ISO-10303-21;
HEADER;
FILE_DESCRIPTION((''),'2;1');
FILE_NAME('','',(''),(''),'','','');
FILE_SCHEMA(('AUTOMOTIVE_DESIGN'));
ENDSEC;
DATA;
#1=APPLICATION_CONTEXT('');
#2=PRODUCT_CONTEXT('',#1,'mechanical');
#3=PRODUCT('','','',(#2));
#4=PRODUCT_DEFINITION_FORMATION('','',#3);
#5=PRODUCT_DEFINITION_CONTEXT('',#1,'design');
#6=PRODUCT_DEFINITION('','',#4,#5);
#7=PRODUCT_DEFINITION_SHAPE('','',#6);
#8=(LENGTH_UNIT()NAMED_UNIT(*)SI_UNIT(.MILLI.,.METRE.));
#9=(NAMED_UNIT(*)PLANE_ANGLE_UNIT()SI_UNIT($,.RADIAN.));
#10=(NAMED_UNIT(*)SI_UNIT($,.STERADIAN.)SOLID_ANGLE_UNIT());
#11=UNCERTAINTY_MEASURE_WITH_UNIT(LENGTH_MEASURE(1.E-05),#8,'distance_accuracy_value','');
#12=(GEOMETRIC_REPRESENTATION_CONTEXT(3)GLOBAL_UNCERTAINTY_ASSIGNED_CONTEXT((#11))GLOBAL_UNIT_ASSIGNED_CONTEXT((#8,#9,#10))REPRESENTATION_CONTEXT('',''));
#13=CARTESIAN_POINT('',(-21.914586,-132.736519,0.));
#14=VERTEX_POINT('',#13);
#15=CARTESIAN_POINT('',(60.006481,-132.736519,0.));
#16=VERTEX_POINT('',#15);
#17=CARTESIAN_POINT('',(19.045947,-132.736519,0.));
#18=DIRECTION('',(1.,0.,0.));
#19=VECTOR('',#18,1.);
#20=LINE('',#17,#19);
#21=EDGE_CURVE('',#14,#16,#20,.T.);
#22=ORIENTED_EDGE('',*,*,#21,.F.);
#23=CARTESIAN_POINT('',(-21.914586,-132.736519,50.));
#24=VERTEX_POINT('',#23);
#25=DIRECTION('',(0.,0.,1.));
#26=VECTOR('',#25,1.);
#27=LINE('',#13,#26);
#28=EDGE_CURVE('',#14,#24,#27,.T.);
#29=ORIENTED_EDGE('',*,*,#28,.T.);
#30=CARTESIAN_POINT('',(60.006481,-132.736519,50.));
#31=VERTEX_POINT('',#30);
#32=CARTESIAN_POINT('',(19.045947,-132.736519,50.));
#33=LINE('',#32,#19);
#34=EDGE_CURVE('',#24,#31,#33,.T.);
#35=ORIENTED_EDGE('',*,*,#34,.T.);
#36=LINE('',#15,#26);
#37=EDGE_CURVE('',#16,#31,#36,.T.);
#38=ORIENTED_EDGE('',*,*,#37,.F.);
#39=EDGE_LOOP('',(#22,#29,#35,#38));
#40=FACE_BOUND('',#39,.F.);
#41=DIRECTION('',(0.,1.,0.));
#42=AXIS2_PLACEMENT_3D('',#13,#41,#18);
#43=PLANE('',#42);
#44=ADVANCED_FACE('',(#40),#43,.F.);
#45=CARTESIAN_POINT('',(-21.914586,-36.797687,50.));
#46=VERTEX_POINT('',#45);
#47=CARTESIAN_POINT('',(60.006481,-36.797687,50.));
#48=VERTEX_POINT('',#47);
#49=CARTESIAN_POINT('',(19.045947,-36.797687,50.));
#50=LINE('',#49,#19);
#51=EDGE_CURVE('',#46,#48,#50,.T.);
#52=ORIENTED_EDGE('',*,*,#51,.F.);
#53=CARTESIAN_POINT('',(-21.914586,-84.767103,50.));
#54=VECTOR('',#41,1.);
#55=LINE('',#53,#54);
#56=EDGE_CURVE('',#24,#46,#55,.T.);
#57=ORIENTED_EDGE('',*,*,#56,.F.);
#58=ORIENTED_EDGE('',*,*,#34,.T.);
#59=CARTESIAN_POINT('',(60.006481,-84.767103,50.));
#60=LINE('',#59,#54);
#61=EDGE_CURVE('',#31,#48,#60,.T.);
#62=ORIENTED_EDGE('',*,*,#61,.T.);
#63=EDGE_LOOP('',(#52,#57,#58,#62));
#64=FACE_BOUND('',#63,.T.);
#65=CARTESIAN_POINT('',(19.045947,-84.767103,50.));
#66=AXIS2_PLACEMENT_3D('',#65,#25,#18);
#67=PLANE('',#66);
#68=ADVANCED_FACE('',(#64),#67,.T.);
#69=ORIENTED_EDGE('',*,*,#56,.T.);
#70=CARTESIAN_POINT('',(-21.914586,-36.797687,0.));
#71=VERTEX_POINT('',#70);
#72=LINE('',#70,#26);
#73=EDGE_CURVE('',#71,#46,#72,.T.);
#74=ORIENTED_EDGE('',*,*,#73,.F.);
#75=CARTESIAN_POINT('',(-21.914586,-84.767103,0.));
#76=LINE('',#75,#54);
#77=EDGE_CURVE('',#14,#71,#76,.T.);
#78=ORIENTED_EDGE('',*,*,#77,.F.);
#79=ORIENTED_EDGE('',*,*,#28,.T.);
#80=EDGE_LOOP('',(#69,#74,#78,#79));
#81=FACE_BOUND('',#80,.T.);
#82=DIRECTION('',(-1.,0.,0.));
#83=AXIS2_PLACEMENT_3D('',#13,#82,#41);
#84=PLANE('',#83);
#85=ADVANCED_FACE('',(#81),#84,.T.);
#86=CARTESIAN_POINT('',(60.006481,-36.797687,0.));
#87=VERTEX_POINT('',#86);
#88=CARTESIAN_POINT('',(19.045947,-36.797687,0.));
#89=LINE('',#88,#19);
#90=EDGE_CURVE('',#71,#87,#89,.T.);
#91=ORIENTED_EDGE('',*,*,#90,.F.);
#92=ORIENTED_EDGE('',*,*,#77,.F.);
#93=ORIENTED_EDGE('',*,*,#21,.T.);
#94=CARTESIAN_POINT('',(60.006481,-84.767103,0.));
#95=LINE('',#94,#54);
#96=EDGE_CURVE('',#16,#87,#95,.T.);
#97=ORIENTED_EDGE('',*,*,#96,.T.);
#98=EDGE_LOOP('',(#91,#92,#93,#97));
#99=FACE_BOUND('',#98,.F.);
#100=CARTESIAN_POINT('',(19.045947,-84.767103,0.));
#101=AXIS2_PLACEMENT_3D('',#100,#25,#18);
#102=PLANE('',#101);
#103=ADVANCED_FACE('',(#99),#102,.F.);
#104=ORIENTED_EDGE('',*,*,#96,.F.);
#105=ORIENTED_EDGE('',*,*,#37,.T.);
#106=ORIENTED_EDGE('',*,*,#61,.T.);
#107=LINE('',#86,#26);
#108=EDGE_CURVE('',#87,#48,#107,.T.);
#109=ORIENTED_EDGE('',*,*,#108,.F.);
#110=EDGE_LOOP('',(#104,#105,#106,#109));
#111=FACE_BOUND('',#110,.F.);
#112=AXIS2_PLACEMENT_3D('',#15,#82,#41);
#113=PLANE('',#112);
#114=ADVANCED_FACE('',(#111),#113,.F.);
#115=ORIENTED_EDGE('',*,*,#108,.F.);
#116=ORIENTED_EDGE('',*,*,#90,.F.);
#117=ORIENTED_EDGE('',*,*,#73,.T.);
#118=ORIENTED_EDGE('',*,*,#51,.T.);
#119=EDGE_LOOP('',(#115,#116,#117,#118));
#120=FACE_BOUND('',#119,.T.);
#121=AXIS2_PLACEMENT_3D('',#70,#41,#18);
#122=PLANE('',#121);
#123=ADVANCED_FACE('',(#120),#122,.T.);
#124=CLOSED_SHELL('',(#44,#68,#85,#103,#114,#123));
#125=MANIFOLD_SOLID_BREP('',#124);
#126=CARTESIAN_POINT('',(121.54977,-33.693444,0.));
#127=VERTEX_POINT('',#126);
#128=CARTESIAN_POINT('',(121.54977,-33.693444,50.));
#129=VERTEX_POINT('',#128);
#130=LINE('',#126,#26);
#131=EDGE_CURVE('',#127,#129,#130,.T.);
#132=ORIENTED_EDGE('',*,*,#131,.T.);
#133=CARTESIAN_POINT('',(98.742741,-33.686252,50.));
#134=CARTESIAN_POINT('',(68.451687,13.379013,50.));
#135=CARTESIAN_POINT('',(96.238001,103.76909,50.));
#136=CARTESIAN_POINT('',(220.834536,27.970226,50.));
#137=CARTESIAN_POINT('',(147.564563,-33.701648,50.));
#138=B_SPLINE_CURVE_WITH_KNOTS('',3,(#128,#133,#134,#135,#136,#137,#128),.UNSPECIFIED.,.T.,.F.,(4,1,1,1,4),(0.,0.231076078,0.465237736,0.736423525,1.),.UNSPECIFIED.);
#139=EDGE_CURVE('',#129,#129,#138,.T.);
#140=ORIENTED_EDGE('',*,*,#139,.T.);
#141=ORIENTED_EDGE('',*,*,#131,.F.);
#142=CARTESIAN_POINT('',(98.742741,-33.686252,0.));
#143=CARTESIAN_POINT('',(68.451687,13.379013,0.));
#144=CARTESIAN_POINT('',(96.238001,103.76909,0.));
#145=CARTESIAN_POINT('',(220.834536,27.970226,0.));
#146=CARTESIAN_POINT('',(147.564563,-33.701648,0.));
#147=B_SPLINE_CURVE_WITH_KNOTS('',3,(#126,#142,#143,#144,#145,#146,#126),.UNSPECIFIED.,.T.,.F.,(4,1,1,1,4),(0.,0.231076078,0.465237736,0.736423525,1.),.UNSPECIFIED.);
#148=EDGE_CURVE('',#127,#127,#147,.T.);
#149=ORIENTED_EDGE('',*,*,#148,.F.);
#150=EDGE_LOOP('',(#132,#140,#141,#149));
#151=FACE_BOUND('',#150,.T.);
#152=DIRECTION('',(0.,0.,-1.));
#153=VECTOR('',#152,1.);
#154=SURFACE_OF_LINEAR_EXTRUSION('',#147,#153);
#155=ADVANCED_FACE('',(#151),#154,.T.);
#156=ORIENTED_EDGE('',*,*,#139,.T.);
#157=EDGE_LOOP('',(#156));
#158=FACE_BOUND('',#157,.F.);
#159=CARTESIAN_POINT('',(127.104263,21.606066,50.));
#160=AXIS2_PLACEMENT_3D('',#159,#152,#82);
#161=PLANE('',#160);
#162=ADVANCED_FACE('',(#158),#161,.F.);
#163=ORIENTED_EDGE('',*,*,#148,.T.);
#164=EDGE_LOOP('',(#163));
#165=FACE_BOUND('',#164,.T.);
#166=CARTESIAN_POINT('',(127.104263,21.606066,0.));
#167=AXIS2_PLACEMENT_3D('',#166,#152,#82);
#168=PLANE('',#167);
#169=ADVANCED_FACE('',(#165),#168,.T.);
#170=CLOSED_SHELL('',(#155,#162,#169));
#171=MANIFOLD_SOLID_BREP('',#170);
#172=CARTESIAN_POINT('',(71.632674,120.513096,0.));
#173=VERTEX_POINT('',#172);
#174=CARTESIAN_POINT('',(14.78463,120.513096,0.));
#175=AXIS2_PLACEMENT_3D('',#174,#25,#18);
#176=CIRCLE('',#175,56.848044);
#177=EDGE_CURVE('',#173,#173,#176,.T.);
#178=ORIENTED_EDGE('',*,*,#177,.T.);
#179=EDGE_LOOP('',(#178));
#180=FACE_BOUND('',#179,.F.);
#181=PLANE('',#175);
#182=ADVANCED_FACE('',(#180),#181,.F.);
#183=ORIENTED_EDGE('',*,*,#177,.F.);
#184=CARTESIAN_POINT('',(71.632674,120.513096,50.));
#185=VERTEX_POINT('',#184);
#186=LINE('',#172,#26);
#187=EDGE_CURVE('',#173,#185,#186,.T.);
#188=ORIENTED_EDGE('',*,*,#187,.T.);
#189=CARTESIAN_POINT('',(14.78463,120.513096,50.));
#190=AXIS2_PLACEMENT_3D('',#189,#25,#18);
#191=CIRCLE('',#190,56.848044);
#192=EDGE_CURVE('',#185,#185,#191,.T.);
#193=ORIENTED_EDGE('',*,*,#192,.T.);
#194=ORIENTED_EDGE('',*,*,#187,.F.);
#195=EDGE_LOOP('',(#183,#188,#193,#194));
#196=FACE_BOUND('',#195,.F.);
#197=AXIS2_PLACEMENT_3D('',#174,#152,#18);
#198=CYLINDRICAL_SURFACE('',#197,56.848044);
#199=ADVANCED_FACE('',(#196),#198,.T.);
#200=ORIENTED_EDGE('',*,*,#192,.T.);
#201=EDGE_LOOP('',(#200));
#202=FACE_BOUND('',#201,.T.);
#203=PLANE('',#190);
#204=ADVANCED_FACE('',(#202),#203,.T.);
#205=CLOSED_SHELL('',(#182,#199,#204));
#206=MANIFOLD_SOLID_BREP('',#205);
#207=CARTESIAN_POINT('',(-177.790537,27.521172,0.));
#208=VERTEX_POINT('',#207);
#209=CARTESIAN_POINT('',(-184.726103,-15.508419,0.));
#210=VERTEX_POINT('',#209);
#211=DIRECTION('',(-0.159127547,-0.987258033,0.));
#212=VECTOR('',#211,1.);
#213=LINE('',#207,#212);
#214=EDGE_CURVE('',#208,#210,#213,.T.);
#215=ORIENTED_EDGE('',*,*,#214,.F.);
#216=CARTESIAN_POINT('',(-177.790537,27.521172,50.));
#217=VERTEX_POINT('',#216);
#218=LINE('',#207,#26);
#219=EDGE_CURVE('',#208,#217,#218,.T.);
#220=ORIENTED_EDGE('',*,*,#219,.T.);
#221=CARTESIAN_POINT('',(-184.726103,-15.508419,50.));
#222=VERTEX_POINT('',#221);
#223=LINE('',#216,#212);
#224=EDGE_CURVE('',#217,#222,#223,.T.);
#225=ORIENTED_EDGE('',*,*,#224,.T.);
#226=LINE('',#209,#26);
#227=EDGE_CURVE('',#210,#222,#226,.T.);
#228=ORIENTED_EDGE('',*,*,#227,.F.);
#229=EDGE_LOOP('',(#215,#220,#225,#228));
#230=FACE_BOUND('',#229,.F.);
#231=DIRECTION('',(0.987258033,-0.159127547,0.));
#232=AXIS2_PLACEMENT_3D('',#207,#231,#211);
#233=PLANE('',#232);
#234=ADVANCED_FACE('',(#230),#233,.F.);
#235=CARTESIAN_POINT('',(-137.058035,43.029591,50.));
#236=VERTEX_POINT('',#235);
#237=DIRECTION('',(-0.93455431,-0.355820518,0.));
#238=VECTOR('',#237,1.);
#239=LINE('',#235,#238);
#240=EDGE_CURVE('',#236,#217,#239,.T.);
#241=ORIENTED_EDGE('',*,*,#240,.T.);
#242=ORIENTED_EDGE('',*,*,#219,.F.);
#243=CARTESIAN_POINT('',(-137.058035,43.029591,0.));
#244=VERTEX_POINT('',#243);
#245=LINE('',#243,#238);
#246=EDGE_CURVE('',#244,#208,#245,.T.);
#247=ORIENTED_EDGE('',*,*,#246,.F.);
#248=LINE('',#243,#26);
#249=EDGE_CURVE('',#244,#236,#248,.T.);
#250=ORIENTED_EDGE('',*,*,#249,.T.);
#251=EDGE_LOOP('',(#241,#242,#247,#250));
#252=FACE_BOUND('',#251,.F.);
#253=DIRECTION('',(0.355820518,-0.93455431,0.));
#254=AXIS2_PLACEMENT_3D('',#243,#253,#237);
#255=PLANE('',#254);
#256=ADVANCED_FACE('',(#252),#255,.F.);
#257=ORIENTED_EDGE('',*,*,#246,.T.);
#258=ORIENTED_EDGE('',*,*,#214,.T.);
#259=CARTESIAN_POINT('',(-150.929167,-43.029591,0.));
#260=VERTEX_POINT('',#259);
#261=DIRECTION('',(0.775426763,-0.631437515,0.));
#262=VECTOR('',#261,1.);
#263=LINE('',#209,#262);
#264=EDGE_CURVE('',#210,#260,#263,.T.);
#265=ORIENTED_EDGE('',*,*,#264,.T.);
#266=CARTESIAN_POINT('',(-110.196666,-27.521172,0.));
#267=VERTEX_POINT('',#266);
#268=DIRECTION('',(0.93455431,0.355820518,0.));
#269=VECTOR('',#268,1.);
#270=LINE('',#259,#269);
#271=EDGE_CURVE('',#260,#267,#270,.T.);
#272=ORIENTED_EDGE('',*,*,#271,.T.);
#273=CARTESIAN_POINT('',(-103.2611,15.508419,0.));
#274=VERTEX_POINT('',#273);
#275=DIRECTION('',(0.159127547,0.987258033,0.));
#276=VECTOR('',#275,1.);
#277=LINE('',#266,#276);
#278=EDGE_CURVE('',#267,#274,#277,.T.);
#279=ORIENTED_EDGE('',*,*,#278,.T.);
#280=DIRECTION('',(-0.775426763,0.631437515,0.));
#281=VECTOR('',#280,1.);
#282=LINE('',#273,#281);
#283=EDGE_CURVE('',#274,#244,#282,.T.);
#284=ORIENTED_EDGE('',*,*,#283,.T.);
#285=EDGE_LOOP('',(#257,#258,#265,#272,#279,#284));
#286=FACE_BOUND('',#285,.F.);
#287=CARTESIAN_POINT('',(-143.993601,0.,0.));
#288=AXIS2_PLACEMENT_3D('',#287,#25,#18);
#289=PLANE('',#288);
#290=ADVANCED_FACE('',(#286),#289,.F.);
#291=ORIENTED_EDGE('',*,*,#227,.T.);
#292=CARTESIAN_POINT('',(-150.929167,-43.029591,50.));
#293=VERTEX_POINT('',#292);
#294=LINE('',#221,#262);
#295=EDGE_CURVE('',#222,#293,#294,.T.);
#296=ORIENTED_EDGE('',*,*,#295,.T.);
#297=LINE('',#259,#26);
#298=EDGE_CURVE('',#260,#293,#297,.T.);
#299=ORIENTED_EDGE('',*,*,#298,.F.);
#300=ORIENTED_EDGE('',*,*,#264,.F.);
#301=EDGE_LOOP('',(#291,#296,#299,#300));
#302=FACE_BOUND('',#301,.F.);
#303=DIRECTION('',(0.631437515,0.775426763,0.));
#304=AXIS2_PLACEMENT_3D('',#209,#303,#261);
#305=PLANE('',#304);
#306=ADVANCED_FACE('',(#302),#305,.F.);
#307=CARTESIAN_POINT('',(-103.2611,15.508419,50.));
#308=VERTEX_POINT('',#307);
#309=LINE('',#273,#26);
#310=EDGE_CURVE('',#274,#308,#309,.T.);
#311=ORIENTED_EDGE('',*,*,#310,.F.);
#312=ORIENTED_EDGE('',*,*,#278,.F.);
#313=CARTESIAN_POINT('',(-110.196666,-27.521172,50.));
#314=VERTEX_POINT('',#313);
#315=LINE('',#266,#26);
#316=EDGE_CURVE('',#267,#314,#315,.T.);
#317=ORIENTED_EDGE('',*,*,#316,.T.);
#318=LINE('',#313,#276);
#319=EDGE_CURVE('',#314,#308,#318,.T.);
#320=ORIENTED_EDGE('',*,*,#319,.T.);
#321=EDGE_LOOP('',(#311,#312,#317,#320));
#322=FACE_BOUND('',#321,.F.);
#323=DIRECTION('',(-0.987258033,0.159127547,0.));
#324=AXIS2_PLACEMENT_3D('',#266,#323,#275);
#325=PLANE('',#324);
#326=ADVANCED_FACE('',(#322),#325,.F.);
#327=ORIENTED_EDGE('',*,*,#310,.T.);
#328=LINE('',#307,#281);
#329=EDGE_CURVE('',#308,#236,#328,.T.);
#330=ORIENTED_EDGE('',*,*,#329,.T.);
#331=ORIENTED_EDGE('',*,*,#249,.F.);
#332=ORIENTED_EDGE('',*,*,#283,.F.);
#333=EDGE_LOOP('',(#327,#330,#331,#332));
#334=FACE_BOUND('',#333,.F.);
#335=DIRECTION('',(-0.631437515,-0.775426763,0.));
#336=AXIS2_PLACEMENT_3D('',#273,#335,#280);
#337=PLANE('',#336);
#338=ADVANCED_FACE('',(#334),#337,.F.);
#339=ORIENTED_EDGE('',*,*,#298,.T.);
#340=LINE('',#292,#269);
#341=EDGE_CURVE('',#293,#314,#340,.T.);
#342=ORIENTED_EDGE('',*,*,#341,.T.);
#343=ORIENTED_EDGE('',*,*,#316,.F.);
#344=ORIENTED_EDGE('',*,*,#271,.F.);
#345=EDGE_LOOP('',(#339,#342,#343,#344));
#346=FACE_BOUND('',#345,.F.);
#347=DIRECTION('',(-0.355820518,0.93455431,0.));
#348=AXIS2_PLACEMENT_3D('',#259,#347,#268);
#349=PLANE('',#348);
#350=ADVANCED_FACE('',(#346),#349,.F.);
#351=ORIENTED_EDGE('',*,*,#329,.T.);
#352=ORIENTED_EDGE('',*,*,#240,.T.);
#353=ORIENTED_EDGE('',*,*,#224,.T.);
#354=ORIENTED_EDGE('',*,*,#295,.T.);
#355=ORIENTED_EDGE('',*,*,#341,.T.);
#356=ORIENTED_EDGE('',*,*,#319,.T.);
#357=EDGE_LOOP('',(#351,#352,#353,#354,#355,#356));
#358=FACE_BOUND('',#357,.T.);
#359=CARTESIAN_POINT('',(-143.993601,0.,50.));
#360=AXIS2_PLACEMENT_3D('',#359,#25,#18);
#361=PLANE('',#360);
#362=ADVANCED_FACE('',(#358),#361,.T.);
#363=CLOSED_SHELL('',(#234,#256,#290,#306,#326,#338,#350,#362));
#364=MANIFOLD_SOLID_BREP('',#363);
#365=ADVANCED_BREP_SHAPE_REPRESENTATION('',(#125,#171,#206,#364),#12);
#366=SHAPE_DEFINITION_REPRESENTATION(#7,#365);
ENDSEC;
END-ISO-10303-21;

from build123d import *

# Parameters (mm, degrees)
F0_W     = 81.9210670888
F0_H     = 95.9388315678
F1_DEPTH = 50
F0_R     = 56.8480436044


with BuildPart() as f1:
    # F0 (on Top) → F1 (new body)
    with BuildSketch(Plane.XY):
        with Locations((19.0459471196, -84.7671031952)):
            Rectangle(F0_W, F0_H)
    extrude(amount=F1_DEPTH)


with BuildPart() as f1b:
    # F0 (on Top) → F1, piece 2 (new body)
    with BuildSketch(Plane.XY):
        Polygon((-137.058035258, 43.029590546), (-177.7905367577, 27.5211715709), (-184.7261027027, -15.508418975), (-150.9291671479, -43.029590546), (-110.1966656482, -27.5211715709), (-103.2610997032, 15.508418975), align=None)
    extrude(amount=F1_DEPTH)


with BuildPart() as f1c:
    # F0 (on Top) → F1, piece 3 (new body)
    with BuildSketch(Plane.XY):
        with Locations((14.784630388, 120.5130964518)):
            Circle(F0_R)
    extrude(amount=F1_DEPTH)


with BuildPart() as f1d:
    # F0 (on Top) → F1, piece 4 (new body)
    with BuildSketch(Plane.XY):
        with BuildLine():
            add(Edge.make_bspline(
                [(121.549770236, -33.6934439838), (98.7427414444, -33.6862516465), (68.4516865063, 13.3790130373), (96.238000525, 103.7690899159), (220.8345364058, 27.9702259035), (147.5645628182, -33.7016479092), (121.549770236, -33.6934439838)],
                knots=[0, 0, 0, 0, 0.2310760784, 0.465237736, 0.7364235252, 1, 1, 1, 1], degree=3))
        make_face()
    extrude(amount=F1_DEPTH)


solid = Compound([f1.part, f1b.part, f1c.part, f1d.part])
